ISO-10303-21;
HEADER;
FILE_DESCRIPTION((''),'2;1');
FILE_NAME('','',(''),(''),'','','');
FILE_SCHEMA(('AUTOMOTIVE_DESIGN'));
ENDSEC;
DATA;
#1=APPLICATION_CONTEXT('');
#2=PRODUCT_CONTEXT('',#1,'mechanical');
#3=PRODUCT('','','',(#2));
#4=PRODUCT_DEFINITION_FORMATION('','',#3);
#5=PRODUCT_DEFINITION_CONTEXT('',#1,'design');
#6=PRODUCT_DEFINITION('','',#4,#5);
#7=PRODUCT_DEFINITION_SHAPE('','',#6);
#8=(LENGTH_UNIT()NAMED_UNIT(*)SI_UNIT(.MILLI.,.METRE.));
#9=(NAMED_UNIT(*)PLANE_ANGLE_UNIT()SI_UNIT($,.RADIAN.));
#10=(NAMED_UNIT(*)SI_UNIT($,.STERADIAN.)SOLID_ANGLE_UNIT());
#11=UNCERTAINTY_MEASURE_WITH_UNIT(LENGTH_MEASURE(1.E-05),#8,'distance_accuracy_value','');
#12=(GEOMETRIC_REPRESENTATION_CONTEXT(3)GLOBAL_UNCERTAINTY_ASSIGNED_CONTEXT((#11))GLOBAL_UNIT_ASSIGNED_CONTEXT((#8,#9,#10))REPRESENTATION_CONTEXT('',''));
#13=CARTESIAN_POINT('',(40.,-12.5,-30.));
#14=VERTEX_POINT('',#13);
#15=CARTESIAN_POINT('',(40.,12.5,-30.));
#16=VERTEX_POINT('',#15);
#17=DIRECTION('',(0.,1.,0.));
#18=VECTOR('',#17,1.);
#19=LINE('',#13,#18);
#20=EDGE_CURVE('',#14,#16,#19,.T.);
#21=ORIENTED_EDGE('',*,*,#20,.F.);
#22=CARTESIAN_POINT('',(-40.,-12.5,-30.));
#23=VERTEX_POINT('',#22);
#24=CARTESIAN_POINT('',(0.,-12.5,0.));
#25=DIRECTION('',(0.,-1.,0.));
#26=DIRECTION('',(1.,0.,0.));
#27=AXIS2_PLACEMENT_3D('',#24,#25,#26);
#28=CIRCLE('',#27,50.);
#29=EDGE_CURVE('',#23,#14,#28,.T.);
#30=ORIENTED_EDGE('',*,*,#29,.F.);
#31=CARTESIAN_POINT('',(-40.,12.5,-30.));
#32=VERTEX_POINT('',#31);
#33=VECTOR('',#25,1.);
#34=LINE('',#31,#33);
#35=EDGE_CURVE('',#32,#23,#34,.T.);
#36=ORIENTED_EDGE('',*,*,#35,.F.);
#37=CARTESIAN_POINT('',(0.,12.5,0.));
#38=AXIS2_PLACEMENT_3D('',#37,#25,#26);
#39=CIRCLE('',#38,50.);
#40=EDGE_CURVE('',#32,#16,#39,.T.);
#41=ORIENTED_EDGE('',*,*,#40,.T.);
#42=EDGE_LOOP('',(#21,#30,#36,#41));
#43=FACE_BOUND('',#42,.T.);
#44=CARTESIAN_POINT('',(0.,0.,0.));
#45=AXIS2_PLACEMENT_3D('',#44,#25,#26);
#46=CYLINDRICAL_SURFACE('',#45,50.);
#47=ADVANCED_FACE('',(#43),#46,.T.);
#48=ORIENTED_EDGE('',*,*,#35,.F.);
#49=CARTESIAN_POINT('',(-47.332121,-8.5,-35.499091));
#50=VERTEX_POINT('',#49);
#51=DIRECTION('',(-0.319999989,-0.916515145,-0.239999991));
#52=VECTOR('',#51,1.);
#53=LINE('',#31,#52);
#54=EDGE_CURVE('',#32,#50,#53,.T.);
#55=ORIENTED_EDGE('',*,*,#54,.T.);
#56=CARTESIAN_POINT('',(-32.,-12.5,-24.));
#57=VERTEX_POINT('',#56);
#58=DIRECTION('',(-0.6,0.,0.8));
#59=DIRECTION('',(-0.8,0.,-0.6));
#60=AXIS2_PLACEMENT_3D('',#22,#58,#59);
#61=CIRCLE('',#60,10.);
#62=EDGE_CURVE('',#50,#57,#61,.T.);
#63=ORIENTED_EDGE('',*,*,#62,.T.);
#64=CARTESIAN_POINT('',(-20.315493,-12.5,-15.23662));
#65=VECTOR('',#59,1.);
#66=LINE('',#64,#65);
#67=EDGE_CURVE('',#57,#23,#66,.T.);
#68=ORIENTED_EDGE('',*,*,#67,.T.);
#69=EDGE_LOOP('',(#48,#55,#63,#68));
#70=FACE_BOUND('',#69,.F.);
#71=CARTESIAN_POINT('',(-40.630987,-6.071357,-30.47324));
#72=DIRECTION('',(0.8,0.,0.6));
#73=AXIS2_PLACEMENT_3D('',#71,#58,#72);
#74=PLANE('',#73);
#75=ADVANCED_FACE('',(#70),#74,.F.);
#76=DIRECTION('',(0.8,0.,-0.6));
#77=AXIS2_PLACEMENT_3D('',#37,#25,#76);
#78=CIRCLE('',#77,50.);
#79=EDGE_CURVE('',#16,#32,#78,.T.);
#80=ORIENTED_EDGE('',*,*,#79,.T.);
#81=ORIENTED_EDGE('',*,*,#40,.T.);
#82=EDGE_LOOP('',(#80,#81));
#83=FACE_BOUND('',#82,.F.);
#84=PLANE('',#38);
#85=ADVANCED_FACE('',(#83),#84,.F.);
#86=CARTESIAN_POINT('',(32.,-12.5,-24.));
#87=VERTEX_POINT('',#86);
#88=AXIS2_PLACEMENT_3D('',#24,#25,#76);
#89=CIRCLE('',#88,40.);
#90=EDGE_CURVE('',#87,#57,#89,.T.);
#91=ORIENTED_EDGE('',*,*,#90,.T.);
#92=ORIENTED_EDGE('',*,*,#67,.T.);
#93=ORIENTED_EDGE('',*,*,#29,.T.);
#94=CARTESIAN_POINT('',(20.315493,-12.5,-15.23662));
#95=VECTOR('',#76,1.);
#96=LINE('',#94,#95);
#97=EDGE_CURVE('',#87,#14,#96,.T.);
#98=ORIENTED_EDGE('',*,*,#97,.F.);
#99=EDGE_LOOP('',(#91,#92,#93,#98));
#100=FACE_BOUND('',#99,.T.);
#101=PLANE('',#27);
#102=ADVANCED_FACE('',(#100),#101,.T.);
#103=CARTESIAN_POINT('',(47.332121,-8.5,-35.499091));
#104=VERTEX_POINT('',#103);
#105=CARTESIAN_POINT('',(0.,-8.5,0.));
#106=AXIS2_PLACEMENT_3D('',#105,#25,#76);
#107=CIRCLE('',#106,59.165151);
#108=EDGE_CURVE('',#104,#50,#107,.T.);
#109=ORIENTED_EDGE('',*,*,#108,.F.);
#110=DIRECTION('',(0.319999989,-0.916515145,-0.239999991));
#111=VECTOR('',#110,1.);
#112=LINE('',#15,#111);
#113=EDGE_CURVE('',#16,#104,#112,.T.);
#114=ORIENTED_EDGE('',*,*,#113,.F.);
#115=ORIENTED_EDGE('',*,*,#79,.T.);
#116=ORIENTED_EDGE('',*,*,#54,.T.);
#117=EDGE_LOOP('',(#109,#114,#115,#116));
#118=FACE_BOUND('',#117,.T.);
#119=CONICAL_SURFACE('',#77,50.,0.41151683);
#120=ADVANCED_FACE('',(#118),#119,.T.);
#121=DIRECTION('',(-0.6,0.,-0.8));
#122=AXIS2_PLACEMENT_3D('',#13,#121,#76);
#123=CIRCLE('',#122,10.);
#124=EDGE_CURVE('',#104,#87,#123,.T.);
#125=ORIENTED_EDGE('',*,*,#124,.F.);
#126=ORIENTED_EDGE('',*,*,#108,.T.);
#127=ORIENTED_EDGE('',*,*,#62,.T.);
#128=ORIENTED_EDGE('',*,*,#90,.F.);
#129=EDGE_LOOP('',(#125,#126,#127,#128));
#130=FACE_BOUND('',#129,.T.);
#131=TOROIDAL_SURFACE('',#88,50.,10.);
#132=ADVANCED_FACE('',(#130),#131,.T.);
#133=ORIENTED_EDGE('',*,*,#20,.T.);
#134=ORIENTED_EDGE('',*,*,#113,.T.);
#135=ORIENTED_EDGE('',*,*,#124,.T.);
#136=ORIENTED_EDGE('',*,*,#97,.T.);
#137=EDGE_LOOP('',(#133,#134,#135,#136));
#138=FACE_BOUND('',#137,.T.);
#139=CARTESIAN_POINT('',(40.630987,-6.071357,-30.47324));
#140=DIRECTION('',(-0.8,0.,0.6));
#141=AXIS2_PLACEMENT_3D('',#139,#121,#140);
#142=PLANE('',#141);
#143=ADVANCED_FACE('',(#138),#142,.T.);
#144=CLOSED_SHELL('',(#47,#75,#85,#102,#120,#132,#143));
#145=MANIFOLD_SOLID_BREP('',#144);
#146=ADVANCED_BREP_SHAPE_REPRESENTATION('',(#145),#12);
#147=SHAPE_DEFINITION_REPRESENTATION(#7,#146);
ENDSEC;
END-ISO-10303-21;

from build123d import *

# Parameters (mm, degrees)
F0_R     = 50
F1_DEPTH = 12.5


with BuildPart() as f1:
    # F0 (on Front) → F1 (new body, symmetric)
    with BuildSketch(Plane.XZ):
        Circle(F0_R)
    extrude(amount=F1_DEPTH, both=True)

    # F5: sweep along a path in F2
    with BuildLine(Plane.XZ.offset(12.5)) as f5_path:
        ThreePointArc((40, -30), (0, 50), (-40, -30))
    # F4 (on face) → F5 (sweep)
    with BuildSketch(Plane(origin=(0, 0, 0), x_dir=(0.8, 0, 0.6), z_dir=(-0.6, 0, 0.8))):
        with BuildLine():
            Line((-50, 12.5), (-59.165151, -8.5))
            ThreePointArc((-59.165151, -8.5), (-44.522774, -20.8666), (-50, -2.5))
            Line((-50, -2.5), (-50, 12.5))
        make_face()
    sweep(path=f5_path.line)


solid = f1.part
